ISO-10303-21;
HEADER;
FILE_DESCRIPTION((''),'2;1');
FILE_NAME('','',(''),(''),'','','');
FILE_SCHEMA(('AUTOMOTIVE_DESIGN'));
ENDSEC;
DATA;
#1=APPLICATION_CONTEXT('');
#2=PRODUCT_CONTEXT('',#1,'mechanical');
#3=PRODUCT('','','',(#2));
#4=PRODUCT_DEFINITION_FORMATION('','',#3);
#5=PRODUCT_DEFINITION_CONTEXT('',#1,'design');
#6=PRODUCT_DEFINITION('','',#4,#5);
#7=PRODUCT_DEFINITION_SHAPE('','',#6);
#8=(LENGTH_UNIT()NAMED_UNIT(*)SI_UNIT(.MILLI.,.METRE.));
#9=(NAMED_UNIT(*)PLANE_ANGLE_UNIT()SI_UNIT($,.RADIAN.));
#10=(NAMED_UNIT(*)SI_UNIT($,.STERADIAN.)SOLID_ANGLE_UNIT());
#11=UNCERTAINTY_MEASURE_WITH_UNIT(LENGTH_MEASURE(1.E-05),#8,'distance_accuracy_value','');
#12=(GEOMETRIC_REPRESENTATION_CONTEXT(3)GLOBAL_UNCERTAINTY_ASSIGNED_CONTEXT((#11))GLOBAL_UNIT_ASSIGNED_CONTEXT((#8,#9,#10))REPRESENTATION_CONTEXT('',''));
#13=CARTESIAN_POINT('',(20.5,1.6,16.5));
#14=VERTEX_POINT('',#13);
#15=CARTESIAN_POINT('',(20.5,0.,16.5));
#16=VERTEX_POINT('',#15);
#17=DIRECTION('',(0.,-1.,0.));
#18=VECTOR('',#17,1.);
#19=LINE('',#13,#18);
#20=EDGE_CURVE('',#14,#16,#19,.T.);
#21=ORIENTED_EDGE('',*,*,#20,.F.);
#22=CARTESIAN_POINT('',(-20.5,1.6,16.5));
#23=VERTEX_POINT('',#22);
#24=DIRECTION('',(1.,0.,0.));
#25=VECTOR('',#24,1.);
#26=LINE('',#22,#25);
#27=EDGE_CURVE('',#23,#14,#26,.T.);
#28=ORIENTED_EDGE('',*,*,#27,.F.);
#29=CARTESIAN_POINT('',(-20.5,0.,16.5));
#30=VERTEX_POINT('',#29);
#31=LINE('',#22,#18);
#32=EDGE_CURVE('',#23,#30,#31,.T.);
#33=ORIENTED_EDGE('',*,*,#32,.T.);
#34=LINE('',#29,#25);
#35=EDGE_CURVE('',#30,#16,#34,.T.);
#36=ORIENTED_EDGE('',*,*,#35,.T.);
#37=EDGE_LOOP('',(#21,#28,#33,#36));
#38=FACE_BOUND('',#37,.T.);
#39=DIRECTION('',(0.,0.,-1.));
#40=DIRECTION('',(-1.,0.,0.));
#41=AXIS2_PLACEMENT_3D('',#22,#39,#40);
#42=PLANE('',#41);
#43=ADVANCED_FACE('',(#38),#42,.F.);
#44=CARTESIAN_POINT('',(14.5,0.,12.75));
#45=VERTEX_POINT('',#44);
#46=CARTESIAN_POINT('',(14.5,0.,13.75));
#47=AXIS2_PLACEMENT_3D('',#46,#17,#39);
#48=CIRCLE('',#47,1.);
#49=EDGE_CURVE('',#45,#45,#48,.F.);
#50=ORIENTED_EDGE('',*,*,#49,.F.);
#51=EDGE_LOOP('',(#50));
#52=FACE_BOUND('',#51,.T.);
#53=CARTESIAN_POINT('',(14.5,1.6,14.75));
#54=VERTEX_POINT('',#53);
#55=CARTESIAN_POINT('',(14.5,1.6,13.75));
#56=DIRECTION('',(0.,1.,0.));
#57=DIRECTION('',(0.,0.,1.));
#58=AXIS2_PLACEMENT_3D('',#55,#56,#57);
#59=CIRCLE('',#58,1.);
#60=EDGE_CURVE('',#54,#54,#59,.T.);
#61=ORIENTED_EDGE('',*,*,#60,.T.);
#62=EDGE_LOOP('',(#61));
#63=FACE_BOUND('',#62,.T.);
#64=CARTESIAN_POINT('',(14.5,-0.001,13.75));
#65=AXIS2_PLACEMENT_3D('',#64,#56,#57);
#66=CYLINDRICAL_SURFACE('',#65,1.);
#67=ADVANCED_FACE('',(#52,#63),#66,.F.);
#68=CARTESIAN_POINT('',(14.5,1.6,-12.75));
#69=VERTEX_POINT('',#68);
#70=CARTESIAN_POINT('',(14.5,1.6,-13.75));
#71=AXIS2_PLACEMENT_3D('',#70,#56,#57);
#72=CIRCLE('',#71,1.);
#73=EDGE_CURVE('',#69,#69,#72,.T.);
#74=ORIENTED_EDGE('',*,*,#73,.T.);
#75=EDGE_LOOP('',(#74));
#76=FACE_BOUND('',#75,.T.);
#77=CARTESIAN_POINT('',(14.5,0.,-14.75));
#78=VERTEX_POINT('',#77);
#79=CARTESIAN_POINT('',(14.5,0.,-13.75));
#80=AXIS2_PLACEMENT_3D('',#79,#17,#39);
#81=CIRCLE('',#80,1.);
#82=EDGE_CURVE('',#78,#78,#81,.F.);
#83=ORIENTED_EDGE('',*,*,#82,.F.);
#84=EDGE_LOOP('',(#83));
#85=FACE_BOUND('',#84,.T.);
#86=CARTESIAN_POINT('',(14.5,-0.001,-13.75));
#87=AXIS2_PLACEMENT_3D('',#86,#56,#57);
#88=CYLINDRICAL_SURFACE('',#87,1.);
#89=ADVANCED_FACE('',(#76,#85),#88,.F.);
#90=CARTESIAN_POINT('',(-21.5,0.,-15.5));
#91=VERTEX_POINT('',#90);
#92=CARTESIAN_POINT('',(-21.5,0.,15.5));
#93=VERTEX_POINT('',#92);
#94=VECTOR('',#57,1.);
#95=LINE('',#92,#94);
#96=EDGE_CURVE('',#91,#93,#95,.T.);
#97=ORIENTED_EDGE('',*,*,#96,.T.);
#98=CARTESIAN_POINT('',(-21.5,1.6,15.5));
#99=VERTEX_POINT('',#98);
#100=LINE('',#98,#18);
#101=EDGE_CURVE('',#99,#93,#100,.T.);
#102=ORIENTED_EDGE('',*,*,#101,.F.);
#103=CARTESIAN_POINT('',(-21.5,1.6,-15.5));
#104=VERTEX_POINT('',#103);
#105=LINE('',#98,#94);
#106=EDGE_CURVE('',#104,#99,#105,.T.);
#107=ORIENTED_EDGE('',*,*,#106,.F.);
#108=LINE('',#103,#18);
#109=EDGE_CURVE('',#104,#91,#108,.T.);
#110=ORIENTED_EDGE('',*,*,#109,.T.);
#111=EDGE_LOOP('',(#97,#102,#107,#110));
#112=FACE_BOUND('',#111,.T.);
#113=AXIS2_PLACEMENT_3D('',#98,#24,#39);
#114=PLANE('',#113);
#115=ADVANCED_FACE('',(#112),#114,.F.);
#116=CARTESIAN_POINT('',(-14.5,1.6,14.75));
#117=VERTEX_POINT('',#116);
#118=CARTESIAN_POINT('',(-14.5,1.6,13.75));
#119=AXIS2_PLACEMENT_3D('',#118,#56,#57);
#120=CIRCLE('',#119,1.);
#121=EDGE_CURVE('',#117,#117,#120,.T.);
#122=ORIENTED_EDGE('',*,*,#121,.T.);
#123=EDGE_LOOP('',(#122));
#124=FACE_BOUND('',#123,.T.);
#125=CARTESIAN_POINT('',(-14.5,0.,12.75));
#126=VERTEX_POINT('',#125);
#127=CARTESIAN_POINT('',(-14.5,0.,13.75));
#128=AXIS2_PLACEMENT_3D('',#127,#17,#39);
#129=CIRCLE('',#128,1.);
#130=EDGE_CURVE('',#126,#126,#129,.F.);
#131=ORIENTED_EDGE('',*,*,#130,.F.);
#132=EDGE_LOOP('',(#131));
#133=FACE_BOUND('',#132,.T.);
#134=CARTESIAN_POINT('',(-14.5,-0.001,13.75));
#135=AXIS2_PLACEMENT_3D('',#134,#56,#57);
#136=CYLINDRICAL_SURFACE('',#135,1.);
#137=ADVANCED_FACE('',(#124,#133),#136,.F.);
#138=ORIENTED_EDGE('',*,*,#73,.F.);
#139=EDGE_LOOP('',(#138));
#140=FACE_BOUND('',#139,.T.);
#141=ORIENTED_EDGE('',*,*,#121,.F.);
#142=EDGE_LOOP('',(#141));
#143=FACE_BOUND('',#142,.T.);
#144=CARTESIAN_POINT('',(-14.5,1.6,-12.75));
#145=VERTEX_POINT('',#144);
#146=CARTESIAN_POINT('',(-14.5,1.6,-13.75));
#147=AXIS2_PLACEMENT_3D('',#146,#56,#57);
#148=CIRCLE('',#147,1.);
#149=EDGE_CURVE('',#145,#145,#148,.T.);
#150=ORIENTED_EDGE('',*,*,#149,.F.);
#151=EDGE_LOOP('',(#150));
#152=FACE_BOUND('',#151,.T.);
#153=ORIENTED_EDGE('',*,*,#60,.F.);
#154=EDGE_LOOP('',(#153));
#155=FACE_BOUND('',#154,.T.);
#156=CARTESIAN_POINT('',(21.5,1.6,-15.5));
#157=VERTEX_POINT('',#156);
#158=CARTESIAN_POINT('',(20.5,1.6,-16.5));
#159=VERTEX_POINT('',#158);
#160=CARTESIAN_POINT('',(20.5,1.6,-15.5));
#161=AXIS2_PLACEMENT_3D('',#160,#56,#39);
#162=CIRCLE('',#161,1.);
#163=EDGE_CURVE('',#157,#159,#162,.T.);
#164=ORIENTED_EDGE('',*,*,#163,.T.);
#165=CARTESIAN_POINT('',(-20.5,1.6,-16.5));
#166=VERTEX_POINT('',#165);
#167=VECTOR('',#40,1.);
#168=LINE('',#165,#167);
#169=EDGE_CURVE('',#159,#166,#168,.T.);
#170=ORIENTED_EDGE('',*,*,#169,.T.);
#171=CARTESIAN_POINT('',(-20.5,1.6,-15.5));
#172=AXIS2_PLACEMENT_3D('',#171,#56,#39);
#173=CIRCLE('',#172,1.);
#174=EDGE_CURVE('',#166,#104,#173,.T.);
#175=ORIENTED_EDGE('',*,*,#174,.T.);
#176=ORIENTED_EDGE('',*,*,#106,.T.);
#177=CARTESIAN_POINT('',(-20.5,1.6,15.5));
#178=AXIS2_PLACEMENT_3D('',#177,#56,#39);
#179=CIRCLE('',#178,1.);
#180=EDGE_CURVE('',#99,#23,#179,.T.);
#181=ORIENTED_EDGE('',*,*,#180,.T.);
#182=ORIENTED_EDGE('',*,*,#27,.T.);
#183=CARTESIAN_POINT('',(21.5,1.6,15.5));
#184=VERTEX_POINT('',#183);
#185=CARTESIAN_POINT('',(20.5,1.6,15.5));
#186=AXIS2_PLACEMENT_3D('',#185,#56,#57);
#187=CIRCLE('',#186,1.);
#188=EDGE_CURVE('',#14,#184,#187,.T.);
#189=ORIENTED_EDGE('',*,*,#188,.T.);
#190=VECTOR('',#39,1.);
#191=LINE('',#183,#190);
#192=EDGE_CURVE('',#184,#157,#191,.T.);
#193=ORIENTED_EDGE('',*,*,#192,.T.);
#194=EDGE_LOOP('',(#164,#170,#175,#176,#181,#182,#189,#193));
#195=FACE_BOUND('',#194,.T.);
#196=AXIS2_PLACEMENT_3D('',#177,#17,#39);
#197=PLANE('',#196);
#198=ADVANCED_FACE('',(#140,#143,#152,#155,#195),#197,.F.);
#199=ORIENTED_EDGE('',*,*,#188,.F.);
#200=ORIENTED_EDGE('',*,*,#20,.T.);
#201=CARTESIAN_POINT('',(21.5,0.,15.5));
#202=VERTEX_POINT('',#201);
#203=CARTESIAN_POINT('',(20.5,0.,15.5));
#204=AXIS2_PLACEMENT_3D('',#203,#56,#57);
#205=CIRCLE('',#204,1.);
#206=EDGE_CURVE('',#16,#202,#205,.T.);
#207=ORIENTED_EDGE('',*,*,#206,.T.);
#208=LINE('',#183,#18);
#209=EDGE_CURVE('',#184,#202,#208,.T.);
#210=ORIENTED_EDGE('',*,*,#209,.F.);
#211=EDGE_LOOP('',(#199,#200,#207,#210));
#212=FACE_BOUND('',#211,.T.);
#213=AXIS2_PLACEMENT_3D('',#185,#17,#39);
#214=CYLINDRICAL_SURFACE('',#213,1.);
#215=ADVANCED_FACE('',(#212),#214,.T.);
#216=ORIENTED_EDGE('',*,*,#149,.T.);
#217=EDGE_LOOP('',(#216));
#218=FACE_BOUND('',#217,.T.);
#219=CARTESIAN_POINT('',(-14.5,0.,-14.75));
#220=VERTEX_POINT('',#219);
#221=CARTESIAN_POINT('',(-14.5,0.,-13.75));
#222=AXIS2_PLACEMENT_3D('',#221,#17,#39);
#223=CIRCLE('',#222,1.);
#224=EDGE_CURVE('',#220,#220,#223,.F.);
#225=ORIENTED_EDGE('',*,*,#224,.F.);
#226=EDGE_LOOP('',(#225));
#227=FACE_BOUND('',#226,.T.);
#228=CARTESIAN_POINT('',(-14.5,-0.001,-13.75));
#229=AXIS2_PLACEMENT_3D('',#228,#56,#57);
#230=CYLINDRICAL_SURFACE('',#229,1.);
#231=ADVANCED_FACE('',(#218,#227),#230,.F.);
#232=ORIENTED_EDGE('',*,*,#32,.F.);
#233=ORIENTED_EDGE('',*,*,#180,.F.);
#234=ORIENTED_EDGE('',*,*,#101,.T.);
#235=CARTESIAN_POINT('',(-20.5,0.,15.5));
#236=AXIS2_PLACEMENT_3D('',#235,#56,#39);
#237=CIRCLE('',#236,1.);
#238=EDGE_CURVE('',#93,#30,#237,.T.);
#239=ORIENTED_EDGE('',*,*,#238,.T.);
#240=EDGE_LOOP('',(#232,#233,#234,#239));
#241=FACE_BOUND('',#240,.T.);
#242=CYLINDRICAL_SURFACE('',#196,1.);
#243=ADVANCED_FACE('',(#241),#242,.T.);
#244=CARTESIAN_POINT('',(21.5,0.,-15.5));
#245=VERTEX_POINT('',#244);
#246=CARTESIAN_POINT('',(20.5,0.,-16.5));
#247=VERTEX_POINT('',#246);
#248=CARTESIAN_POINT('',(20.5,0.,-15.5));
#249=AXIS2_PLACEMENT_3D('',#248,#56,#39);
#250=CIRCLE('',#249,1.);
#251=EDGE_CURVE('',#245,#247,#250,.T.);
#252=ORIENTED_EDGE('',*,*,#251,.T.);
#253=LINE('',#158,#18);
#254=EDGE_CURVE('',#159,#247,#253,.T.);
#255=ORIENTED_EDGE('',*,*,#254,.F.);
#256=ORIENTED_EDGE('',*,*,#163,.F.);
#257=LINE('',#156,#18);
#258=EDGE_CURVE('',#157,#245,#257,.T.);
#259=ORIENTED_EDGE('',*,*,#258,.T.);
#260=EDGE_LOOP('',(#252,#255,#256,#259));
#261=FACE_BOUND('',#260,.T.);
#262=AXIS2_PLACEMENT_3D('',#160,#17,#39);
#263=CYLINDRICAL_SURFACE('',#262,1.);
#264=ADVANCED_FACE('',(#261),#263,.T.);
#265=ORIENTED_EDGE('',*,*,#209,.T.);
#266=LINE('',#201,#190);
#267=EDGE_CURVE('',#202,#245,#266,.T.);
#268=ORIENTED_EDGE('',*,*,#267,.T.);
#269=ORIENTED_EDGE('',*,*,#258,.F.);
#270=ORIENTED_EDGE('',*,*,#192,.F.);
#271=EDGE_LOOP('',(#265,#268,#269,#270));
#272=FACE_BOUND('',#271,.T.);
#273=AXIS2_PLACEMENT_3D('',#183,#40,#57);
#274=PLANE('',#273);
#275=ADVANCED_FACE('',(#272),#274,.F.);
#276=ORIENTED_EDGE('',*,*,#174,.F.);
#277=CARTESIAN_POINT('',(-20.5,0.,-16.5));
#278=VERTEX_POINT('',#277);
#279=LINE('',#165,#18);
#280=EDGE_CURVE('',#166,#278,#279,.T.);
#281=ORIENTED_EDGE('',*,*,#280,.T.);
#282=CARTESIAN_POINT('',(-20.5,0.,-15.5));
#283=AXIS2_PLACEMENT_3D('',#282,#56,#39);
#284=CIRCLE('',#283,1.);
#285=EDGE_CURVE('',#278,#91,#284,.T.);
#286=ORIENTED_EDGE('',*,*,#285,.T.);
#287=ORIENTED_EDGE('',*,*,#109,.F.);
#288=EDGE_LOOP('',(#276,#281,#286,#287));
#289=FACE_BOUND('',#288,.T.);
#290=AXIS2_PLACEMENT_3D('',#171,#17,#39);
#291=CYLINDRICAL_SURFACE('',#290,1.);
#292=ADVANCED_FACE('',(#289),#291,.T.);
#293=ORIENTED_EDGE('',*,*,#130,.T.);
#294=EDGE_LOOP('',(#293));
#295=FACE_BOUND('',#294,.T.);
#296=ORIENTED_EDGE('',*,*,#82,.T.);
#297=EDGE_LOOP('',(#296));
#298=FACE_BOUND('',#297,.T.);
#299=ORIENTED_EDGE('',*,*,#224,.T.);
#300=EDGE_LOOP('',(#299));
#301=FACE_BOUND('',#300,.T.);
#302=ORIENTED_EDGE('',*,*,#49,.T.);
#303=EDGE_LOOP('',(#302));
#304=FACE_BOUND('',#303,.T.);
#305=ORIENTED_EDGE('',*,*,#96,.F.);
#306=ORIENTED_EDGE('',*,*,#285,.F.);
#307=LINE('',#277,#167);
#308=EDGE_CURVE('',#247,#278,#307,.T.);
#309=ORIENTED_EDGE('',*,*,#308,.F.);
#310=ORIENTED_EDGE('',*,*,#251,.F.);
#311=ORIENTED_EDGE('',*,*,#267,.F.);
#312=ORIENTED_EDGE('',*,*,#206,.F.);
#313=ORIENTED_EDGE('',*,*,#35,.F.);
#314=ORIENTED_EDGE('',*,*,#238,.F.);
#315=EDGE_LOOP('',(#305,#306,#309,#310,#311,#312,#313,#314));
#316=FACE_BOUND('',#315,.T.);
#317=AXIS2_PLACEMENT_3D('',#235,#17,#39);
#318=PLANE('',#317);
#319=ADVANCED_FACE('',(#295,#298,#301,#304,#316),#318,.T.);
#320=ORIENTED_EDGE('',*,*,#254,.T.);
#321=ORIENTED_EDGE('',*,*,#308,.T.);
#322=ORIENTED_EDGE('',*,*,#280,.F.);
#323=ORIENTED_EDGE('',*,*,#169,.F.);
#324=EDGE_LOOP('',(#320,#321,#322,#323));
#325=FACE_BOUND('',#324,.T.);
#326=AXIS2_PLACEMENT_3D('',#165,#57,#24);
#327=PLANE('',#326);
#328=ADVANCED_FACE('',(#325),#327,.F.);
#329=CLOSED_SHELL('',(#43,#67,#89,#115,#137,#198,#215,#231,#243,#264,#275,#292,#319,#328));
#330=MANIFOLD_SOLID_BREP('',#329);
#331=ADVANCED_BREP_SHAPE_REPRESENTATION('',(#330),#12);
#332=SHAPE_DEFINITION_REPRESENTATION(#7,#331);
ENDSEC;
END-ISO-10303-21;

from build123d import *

# Parameters (mm, degrees)
BOSS_EXTRU_1_DEPTH      = 1.6
ENL_V_MAT_EXTRU_1_REACH = 29.149
ESQUISSE2_R             = 1


with BuildPart() as part:
    # Esquisse1 → Boss.-Extru.1 (new body)
    with BuildSketch(Plane(origin=(0, 0, 0), x_dir=(1, 0, 0), z_dir=(0, 1, 0))):
        with BuildLine():
            Line((-20.5, -16.5), (20.5, -16.5))
            ThreePointArc((20.5, -16.5), (21.207106781, -16.207106781), (21.5, -15.5))
            Line((21.5, -15.5), (21.5, 15.5))
            ThreePointArc((21.5, 15.5), (21.207106781, 16.207106781), (20.5, 16.5))
            Line((20.5, 16.5), (-20.5, 16.5))
            ThreePointArc((-20.5, 16.5), (-21.207106781, 16.207106781), (-21.5, 15.5))
            Line((-21.5, 15.5), (-21.5, -15.5))
            ThreePointArc((-21.5, -15.5), (-21.207106781, -16.207106781), (-20.5, -16.5))
        make_face()
    extrude(amount=BOSS_EXTRU_1_DEPTH)

    # Esquisse2 → Enlèv. mat.-Extru.1 (cut, up to next)
    with BuildSketch(Plane(origin=(0, 1.6, 0), x_dir=(1, 0, 0), z_dir=(0, 1, 0)), mode=Mode.PRIVATE) as enl_v_mat_extru_1_sk1:
        with Locations(Location((-14.5, 13.75, 0), (0, 0, 270))):
            Circle(ESQUISSE2_R)
    enl_v_mat_extru_1_tool1 = extrude(enl_v_mat_extru_1_sk1.sketch, amount=-ENL_V_MAT_EXTRU_1_REACH, mode=Mode.PRIVATE) & part.part
    # Esquisse2 → Enlèv. mat.-Extru.1 (cut, up to next)
    with BuildSketch(Plane(origin=(0, 1.6, 0), x_dir=(1, 0, 0), z_dir=(0, 1, 0)), mode=Mode.PRIVATE) as enl_v_mat_extru_1_sk2:
        with Locations(Location((14.5, 13.75, 0), (0, 0, 270))):
            Circle(ESQUISSE2_R)
    enl_v_mat_extru_1_tool2 = extrude(enl_v_mat_extru_1_sk2.sketch, amount=-ENL_V_MAT_EXTRU_1_REACH, mode=Mode.PRIVATE) & part.part
    # Esquisse2 → Enlèv. mat.-Extru.1 (cut, up to next)
    with BuildSketch(Plane(origin=(0, 1.6, 0), x_dir=(1, 0, 0), z_dir=(0, 1, 0)), mode=Mode.PRIVATE) as enl_v_mat_extru_1_sk3:
        with Locations(Location((14.5, -13.75, 0), (0, 0, 270))):
            Circle(ESQUISSE2_R)
    enl_v_mat_extru_1_tool3 = extrude(enl_v_mat_extru_1_sk3.sketch, amount=-ENL_V_MAT_EXTRU_1_REACH, mode=Mode.PRIVATE) & part.part
    # Esquisse2 → Enlèv. mat.-Extru.1 (cut, up to next)
    with BuildSketch(Plane(origin=(0, 1.6, 0), x_dir=(1, 0, 0), z_dir=(0, 1, 0)), mode=Mode.PRIVATE) as enl_v_mat_extru_1_sk4:
        with Locations(Location((-14.5, -13.75, 0), (0, 0, 270))):
            Circle(ESQUISSE2_R)
    enl_v_mat_extru_1_tool4 = extrude(enl_v_mat_extru_1_sk4.sketch, amount=-ENL_V_MAT_EXTRU_1_REACH, mode=Mode.PRIVATE) & part.part
    add(enl_v_mat_extru_1_tool1.solids().sort_by_distance((-14.5, 1.6, -13.75))[0], mode=Mode.SUBTRACT)
    add(enl_v_mat_extru_1_tool2.solids().sort_by_distance((14.5, 1.6, -13.75))[0], mode=Mode.SUBTRACT)
    add(enl_v_mat_extru_1_tool3.solids().sort_by_distance((14.5, 1.6, 13.75))[0], mode=Mode.SUBTRACT)
    add(enl_v_mat_extru_1_tool4.solids().sort_by_distance((-14.5, 1.6, 13.75))[0], mode=Mode.SUBTRACT)


solid = part.part
